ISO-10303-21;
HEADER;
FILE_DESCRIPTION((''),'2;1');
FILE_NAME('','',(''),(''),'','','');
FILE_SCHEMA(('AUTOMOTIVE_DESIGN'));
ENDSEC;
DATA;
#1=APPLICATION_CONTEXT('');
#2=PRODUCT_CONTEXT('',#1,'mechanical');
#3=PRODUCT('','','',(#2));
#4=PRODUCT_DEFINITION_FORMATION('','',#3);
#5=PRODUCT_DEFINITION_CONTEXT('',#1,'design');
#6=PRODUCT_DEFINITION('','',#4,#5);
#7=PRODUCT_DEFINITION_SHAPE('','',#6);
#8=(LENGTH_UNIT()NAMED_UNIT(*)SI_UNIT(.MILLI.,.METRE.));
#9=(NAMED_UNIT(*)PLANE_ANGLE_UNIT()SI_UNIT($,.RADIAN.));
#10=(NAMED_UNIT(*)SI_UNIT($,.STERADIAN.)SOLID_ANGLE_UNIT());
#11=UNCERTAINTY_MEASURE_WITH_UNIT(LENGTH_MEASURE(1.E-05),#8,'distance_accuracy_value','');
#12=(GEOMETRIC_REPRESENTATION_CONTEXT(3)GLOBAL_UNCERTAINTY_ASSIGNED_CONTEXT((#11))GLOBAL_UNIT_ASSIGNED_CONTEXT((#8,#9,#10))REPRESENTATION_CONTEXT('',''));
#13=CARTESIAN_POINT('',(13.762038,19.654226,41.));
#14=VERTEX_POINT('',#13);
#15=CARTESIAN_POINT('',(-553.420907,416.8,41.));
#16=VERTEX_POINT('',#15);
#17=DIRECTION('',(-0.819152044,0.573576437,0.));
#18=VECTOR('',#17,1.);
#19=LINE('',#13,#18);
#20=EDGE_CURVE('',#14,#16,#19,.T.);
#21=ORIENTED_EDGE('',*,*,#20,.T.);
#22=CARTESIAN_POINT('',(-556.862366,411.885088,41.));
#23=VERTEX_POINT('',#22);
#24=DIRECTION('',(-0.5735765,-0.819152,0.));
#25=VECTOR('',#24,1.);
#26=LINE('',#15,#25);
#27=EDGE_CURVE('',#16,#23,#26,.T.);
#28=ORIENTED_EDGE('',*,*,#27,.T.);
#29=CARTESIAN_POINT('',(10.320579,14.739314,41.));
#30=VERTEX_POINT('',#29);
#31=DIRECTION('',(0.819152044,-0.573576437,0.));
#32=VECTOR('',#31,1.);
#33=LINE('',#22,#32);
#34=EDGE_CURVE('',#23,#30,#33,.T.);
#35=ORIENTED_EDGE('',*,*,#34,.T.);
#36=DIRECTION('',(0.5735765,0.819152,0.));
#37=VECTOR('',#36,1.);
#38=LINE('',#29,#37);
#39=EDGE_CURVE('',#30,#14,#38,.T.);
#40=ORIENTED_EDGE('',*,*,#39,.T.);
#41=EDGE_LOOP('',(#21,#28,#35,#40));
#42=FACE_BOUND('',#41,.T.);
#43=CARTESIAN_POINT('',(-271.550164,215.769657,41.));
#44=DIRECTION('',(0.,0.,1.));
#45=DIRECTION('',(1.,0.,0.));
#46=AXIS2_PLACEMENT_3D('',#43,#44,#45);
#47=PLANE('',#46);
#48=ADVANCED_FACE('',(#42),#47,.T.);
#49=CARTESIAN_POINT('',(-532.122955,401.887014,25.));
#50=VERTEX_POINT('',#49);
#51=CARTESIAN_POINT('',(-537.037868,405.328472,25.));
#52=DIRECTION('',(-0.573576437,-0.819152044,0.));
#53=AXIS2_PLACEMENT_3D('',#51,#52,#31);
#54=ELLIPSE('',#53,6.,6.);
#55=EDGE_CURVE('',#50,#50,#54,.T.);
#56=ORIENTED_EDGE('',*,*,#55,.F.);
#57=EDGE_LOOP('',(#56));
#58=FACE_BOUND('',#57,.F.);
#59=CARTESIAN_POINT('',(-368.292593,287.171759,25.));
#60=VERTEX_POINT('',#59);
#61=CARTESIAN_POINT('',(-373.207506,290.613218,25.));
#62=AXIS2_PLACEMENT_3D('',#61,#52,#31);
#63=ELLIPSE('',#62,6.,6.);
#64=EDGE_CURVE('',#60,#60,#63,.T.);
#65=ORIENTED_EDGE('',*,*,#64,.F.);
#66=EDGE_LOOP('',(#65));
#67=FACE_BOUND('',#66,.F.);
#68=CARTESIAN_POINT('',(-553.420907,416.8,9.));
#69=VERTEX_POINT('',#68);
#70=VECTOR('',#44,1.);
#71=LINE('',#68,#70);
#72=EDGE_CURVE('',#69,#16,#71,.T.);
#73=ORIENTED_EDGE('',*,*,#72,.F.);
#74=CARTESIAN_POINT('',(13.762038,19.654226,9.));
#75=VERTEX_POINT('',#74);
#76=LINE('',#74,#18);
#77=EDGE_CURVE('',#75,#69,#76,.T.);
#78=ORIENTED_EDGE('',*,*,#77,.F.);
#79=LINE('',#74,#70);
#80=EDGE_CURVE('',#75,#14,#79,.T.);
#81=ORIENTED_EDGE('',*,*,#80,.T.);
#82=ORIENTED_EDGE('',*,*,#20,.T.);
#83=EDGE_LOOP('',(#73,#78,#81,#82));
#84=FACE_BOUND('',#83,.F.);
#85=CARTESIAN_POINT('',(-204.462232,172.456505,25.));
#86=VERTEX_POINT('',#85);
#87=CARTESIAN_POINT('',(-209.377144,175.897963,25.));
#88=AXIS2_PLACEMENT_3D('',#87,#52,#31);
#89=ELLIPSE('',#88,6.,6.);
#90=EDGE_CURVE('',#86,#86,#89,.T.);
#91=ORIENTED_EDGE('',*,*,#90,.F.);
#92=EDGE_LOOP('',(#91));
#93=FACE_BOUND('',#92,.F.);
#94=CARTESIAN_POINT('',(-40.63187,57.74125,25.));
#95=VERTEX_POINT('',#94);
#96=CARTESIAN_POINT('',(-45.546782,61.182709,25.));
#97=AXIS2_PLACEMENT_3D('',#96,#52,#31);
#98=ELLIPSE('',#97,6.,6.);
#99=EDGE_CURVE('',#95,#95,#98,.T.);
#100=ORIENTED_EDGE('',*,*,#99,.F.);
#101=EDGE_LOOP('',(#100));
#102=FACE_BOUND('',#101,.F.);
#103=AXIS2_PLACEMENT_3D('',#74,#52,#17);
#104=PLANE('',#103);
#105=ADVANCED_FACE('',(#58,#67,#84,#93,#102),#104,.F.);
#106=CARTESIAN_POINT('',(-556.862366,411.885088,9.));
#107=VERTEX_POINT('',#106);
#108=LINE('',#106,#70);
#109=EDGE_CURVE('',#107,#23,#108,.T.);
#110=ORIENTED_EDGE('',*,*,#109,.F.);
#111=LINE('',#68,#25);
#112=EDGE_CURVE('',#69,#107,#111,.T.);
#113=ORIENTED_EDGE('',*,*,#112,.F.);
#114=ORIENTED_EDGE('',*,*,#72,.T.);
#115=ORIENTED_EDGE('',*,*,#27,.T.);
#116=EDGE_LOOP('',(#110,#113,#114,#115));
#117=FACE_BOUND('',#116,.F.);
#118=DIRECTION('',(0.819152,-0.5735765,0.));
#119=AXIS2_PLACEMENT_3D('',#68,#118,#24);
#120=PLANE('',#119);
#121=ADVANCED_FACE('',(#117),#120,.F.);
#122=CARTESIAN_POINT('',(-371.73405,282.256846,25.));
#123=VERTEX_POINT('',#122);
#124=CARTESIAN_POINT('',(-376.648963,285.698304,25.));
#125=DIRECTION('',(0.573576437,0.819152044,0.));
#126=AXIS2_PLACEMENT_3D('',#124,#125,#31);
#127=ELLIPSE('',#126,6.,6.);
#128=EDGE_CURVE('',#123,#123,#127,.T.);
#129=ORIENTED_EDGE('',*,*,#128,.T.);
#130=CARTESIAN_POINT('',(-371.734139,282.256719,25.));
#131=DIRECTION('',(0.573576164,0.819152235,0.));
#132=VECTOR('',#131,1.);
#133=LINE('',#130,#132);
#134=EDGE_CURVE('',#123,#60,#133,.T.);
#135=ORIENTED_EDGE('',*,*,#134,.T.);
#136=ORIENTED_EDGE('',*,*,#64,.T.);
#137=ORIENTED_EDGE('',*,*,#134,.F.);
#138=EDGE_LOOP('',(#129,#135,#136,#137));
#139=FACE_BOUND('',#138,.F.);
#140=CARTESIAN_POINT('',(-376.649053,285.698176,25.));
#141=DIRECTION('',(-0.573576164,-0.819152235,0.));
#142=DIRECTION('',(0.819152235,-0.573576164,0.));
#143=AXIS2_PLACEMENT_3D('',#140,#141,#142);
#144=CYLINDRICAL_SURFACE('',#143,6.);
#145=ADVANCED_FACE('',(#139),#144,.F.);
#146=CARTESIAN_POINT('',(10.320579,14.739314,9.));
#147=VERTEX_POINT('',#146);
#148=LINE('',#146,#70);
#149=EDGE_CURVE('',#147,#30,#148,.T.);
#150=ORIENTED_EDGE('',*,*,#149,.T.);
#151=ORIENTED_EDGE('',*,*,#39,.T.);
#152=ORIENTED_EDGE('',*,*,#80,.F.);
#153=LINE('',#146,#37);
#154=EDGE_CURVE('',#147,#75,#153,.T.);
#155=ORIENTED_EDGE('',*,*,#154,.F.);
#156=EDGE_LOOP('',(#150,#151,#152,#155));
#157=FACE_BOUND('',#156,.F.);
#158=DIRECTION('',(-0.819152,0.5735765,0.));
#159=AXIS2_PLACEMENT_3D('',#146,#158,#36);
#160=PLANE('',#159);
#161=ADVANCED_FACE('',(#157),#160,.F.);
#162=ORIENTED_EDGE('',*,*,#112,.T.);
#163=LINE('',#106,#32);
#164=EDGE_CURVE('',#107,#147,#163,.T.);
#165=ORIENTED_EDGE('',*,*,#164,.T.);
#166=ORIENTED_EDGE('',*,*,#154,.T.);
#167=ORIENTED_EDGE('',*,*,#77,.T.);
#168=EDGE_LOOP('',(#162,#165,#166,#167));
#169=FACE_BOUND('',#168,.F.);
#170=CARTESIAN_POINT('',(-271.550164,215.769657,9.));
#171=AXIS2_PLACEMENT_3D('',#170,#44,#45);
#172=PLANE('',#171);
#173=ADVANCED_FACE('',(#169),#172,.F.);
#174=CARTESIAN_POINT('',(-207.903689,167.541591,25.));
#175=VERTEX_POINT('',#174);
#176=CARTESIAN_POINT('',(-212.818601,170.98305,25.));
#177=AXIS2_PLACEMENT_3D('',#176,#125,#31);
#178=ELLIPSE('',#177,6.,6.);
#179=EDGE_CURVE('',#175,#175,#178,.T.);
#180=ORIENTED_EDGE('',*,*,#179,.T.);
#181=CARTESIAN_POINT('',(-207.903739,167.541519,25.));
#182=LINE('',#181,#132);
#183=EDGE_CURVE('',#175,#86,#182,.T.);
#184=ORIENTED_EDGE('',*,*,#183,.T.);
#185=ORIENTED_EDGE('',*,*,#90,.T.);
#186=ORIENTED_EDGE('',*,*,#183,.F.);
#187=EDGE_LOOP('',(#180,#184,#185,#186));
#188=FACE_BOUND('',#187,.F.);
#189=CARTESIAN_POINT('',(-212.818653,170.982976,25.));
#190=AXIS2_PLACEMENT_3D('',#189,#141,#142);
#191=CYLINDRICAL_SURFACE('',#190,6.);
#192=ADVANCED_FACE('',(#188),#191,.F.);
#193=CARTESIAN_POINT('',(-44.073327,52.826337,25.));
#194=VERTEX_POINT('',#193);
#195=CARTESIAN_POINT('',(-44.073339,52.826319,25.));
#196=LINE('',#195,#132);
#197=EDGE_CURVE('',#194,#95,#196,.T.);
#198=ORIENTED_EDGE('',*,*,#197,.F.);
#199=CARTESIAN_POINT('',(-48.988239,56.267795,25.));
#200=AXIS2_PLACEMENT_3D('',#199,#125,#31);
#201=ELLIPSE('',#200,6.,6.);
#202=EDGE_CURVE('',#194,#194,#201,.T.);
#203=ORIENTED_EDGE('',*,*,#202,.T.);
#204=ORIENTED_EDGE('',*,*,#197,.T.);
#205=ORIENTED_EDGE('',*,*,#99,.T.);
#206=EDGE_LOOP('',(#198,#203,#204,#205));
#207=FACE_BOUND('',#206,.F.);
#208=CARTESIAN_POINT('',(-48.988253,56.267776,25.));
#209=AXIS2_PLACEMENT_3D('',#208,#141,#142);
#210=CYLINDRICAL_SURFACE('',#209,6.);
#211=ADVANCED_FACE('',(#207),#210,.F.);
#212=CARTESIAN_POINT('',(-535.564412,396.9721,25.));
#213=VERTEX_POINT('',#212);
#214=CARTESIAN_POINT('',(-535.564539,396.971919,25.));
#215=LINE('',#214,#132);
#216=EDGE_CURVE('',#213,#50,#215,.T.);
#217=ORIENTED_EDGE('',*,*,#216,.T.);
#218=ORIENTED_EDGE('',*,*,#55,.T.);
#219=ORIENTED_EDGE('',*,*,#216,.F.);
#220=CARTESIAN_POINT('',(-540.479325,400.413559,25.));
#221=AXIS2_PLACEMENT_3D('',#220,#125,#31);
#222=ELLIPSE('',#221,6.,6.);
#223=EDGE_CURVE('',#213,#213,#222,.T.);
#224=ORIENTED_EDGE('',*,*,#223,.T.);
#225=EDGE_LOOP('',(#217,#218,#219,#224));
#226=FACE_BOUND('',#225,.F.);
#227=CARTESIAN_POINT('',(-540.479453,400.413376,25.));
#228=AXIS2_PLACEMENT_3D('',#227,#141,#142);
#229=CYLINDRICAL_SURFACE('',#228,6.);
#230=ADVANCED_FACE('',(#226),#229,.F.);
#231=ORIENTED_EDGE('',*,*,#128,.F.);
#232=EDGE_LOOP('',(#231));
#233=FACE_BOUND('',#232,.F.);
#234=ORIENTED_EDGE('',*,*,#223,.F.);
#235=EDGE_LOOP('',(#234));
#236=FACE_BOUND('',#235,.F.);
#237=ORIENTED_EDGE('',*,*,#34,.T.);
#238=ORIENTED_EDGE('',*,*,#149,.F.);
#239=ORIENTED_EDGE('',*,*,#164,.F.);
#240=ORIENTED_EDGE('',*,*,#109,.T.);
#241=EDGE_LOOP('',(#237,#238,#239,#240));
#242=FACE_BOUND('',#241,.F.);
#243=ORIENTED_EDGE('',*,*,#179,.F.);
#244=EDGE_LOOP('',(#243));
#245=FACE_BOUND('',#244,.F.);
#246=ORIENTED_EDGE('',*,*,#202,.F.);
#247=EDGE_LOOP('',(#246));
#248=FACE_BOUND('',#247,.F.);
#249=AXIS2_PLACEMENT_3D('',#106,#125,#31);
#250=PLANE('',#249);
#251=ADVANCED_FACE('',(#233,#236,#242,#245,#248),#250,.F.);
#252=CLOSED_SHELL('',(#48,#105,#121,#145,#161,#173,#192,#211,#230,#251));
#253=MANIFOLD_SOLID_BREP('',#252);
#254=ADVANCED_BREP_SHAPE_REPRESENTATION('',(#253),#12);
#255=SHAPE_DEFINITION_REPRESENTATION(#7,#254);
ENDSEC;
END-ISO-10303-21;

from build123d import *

# Parameters (mm, degrees)
PAD011_DEPTH           = 32
SKETCH048_R            = 6
POCKET006_DEPTH        = 331.323772
LINEARPATTERN004_COUNT = 4
LINEARPATTERN004_PITCH = 200


with BuildPart() as part:
    # Sketch047 → Pad011 (new body)
    with BuildSketch(Plane.XY):
        Polygon((-556.862366, 411.885088), (10.320579, 14.739314), (13.762038, 19.654226), (-553.420907, 416.8), align=None)
    extrude(amount=PAD011_DEPTH)

    # Sketch048 (on Face1 of Pad011) → Pocket006 (cut, through all)
    with BuildSketch(Plane(origin=(10.320579, 14.739314, 0), x_dir=(0.819152, -0.573576, 0), z_dir=(-0.573576, -0.819152, 0))):
        with Locations((-672.402526, 16)):
            Circle(SKETCH048_R)
    pocket006 = extrude(amount=-POCKET006_DEPTH, mode=Mode.SUBTRACT)

    # LinearPattern004: Pocket006 ×4
    with Locations(*[Vector(0.819152, -0.573576, 0) * (i * LINEARPATTERN004_PITCH) for i in range(1, LINEARPATTERN004_COUNT)]):
        add(pocket006, mode=Mode.SUBTRACT)


with BuildPart() as part_1:
    # Body008 placement: moved
    add(part.part.moved(Location((0, 0, 9))))


solid = part_1.part
